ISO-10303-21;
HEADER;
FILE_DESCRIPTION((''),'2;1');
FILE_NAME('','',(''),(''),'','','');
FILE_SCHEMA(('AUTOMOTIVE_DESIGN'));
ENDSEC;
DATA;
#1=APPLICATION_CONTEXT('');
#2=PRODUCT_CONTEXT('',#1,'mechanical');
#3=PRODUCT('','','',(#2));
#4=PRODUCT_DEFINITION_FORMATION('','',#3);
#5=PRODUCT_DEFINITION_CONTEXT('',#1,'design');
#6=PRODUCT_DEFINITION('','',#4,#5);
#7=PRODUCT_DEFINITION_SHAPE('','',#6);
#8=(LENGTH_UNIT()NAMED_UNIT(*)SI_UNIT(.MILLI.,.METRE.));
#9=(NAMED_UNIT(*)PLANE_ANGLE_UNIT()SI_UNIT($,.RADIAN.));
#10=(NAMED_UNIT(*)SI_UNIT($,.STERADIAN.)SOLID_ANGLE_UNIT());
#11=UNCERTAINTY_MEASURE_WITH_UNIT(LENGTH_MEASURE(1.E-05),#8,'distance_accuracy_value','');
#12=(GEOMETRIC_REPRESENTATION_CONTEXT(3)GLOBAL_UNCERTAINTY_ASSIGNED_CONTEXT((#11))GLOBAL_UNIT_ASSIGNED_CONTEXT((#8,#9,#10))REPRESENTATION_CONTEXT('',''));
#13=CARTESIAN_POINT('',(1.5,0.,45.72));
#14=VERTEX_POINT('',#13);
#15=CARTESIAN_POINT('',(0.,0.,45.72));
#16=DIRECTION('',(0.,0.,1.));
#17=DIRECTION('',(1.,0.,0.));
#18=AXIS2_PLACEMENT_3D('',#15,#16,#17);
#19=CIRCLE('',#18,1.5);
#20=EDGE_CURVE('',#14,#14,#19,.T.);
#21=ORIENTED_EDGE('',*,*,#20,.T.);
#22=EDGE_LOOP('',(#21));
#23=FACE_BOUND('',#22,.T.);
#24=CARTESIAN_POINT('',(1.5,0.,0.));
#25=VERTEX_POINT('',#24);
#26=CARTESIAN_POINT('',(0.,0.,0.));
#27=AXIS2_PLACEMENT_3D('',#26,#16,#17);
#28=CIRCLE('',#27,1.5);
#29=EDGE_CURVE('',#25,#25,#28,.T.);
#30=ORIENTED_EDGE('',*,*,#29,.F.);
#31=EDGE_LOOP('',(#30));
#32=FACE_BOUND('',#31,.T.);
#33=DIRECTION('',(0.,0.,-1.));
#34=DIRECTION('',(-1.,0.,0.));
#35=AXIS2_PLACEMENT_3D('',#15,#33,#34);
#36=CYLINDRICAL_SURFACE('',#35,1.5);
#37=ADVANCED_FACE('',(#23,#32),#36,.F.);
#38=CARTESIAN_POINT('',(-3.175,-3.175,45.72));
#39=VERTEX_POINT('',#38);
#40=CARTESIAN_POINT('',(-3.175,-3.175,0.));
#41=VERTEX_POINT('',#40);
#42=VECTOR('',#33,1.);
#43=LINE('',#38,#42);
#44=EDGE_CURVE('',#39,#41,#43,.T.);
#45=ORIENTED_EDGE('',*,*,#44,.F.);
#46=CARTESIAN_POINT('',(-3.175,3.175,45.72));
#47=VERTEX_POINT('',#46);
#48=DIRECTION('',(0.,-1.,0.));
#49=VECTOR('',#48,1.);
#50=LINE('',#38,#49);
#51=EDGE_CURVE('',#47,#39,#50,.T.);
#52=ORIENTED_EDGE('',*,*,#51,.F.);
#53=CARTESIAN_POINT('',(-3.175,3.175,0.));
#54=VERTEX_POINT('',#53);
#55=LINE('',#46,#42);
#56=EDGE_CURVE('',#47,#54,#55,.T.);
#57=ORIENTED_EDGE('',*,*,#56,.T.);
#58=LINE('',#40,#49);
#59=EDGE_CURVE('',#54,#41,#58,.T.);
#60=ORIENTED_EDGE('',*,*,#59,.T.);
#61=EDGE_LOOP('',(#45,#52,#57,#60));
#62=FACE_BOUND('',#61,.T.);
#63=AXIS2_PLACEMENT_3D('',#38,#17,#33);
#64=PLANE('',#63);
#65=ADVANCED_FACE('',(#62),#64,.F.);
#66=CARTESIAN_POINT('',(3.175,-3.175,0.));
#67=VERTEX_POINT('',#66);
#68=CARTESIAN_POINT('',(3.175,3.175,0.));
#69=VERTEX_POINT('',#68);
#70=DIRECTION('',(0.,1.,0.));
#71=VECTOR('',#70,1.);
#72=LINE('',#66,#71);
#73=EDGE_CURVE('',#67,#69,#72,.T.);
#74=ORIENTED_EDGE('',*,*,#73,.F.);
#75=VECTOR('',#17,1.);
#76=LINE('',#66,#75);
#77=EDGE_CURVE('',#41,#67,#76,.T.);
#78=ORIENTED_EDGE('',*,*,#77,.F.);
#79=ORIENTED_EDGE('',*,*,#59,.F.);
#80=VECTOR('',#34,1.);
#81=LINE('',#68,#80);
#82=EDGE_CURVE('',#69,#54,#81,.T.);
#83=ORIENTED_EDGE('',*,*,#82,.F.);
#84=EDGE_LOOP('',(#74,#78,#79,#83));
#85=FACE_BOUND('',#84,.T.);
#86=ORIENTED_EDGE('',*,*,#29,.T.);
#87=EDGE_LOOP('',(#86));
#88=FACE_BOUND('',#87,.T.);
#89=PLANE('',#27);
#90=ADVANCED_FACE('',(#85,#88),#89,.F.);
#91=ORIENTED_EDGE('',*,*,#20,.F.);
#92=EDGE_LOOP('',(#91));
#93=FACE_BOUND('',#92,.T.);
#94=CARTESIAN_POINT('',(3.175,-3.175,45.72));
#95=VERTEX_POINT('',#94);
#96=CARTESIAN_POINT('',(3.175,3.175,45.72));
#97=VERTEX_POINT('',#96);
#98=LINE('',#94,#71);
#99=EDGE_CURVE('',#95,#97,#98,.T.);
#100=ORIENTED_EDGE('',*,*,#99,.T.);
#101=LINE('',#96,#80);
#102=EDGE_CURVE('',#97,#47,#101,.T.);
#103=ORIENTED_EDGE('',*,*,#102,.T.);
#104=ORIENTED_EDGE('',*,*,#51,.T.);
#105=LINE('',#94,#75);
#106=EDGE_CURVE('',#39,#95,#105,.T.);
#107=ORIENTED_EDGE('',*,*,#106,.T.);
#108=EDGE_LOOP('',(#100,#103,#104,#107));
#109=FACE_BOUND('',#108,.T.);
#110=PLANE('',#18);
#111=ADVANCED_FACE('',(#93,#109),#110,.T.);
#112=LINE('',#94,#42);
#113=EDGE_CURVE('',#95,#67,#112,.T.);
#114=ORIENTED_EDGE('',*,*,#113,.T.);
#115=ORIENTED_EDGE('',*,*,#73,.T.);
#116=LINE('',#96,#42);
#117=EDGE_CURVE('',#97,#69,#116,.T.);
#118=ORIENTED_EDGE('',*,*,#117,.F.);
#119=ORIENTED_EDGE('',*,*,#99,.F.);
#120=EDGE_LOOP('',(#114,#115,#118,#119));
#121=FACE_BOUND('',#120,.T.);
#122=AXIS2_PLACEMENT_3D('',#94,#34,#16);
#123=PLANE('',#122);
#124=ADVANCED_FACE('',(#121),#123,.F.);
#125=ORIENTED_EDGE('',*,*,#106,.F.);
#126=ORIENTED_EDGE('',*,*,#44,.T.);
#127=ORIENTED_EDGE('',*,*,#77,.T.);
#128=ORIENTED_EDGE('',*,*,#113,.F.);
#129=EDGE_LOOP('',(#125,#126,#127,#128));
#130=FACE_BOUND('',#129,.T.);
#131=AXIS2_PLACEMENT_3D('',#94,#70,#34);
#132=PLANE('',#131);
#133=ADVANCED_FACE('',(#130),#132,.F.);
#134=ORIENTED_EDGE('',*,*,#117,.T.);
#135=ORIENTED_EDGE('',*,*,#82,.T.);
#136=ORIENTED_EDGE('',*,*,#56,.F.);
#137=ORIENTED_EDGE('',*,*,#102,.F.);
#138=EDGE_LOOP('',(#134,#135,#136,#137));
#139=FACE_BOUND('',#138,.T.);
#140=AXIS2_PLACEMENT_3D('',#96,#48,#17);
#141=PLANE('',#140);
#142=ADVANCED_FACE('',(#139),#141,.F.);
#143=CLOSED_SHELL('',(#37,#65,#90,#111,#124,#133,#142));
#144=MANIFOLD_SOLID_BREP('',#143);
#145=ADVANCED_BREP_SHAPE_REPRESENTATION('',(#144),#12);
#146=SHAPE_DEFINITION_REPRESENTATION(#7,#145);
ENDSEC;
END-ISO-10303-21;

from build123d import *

# Parameters (mm, degrees)
SKETCH1_W           = 6.35
SKETCH1_H           = 6.35
SKETCH1_R           = 1.5
BOSS_EXTRUDE1_DEPTH = 45.72


with BuildPart() as part:
    # Sketch1 → Boss-Extrude1 (new body)
    with BuildSketch(Plane.XY):
        Rectangle(SKETCH1_W, SKETCH1_H)
        Circle(SKETCH1_R, mode=Mode.SUBTRACT)
    extrude(amount=BOSS_EXTRUDE1_DEPTH)


solid = part.part
